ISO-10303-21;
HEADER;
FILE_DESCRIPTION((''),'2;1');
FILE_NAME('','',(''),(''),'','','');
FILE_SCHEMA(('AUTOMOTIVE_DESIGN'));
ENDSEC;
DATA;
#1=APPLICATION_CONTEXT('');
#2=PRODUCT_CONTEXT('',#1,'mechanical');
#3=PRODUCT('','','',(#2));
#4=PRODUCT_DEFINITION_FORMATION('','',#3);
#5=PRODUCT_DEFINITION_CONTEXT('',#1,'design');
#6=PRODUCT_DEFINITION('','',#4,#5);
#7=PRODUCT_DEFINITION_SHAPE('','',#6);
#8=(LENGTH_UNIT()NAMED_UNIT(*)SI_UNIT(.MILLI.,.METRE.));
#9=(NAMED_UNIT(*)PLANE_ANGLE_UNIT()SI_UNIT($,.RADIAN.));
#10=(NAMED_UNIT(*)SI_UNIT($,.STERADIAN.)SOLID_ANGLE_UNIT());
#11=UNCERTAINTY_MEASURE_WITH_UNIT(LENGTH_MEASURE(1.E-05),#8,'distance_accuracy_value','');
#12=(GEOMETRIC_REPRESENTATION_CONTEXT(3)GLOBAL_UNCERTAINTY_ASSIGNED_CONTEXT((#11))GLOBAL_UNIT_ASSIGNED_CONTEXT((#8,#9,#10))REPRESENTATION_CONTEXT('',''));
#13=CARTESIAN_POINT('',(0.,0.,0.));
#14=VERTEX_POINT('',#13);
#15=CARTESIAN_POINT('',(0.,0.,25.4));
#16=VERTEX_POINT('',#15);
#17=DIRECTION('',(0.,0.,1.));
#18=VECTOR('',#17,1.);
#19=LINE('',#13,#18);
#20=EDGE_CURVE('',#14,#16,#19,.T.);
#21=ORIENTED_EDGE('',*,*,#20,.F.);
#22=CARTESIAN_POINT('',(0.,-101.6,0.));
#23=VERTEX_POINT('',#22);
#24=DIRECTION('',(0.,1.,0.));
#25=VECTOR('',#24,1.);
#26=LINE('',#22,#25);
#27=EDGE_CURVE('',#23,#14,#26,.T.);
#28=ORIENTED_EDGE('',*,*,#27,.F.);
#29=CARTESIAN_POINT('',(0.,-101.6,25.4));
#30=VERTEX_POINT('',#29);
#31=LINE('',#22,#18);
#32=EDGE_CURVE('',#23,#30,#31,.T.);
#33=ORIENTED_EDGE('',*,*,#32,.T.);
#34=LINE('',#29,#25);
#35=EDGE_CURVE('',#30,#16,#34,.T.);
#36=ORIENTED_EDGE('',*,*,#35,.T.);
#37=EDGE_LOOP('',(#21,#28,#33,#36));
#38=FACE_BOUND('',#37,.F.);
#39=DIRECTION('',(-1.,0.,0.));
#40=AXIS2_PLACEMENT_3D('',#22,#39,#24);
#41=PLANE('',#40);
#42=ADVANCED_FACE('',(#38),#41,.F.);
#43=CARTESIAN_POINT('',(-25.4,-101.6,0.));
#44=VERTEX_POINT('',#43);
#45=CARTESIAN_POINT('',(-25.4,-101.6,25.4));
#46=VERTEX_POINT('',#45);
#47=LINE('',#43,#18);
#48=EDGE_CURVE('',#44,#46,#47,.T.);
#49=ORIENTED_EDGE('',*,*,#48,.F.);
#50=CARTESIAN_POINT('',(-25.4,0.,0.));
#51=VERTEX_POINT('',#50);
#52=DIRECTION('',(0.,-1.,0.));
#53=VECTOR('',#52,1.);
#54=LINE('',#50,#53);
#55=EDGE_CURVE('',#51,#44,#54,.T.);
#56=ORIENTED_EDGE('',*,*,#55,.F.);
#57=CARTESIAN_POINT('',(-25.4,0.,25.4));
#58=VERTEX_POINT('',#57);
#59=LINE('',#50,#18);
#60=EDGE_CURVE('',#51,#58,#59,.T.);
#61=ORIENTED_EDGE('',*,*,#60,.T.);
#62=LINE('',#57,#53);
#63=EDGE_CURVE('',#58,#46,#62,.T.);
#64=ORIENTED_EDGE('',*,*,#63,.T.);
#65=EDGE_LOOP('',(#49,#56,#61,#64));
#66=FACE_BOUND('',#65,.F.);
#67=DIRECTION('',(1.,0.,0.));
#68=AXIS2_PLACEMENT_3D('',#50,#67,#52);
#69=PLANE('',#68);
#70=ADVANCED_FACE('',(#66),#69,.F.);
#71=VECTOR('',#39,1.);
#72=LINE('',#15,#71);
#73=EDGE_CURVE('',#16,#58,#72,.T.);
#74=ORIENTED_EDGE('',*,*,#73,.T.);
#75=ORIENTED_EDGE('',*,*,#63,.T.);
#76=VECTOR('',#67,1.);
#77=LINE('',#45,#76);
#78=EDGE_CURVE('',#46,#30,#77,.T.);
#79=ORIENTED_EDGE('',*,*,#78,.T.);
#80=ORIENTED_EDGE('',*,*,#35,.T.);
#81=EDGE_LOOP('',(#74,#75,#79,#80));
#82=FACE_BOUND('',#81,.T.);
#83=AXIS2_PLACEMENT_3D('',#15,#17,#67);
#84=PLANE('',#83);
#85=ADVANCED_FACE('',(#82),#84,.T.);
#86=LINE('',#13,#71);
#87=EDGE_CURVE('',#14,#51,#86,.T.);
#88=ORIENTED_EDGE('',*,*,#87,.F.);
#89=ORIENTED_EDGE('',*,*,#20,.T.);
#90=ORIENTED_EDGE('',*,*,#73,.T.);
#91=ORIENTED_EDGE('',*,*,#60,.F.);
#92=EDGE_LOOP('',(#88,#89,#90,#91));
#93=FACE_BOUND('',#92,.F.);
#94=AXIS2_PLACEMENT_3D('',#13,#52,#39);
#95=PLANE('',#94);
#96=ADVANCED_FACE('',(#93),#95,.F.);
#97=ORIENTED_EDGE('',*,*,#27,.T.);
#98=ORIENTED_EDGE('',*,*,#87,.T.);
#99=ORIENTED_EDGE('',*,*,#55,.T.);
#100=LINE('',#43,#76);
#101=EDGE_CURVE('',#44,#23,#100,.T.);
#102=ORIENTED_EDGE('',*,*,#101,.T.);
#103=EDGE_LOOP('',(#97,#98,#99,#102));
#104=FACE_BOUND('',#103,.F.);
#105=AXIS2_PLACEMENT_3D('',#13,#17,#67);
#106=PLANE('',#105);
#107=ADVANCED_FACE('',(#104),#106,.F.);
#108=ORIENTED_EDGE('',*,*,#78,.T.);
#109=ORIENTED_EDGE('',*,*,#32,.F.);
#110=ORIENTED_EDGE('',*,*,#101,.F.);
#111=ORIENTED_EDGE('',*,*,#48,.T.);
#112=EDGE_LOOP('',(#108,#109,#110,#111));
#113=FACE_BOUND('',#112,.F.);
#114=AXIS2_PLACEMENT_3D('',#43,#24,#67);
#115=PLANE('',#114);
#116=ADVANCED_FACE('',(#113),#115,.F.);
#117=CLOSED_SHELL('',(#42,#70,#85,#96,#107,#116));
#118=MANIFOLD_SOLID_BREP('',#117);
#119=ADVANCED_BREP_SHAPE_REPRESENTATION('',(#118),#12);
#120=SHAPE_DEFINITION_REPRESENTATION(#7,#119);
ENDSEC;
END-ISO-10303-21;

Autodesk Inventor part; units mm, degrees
ref_plane "YZ Plane" through (0, 0, 0) normal (1, 0, 0) x (0, 1, 0)
ref_plane "XZ Plane" through (0, 0, 0) normal (0, 1, 0) x (-1, 0, 0)
ref_plane "XY Plane" through (0, 0, 0) normal (0, 0, 1) x (1, 0, 0)
sketch "Sketch1" plane through (0, 0, 0) normal (0, 0, 1) x (1, 0, 0)
  line L0 (0, 0) -> (-25.4, 0)
  line L1 (-25.4, 0) -> (-25.4, -101.6)
  line L2 (-25.4, -101.6) -> (0, -101.6)
  line L3 (0, -101.6) -> (0, 0)
  dimension "d4" = 25.4
  dimension "d5" = 101.6
extrude "Extrusion2" add sketch "Sketch1" along normal blind 25.4
properties part number "armHorzi"
